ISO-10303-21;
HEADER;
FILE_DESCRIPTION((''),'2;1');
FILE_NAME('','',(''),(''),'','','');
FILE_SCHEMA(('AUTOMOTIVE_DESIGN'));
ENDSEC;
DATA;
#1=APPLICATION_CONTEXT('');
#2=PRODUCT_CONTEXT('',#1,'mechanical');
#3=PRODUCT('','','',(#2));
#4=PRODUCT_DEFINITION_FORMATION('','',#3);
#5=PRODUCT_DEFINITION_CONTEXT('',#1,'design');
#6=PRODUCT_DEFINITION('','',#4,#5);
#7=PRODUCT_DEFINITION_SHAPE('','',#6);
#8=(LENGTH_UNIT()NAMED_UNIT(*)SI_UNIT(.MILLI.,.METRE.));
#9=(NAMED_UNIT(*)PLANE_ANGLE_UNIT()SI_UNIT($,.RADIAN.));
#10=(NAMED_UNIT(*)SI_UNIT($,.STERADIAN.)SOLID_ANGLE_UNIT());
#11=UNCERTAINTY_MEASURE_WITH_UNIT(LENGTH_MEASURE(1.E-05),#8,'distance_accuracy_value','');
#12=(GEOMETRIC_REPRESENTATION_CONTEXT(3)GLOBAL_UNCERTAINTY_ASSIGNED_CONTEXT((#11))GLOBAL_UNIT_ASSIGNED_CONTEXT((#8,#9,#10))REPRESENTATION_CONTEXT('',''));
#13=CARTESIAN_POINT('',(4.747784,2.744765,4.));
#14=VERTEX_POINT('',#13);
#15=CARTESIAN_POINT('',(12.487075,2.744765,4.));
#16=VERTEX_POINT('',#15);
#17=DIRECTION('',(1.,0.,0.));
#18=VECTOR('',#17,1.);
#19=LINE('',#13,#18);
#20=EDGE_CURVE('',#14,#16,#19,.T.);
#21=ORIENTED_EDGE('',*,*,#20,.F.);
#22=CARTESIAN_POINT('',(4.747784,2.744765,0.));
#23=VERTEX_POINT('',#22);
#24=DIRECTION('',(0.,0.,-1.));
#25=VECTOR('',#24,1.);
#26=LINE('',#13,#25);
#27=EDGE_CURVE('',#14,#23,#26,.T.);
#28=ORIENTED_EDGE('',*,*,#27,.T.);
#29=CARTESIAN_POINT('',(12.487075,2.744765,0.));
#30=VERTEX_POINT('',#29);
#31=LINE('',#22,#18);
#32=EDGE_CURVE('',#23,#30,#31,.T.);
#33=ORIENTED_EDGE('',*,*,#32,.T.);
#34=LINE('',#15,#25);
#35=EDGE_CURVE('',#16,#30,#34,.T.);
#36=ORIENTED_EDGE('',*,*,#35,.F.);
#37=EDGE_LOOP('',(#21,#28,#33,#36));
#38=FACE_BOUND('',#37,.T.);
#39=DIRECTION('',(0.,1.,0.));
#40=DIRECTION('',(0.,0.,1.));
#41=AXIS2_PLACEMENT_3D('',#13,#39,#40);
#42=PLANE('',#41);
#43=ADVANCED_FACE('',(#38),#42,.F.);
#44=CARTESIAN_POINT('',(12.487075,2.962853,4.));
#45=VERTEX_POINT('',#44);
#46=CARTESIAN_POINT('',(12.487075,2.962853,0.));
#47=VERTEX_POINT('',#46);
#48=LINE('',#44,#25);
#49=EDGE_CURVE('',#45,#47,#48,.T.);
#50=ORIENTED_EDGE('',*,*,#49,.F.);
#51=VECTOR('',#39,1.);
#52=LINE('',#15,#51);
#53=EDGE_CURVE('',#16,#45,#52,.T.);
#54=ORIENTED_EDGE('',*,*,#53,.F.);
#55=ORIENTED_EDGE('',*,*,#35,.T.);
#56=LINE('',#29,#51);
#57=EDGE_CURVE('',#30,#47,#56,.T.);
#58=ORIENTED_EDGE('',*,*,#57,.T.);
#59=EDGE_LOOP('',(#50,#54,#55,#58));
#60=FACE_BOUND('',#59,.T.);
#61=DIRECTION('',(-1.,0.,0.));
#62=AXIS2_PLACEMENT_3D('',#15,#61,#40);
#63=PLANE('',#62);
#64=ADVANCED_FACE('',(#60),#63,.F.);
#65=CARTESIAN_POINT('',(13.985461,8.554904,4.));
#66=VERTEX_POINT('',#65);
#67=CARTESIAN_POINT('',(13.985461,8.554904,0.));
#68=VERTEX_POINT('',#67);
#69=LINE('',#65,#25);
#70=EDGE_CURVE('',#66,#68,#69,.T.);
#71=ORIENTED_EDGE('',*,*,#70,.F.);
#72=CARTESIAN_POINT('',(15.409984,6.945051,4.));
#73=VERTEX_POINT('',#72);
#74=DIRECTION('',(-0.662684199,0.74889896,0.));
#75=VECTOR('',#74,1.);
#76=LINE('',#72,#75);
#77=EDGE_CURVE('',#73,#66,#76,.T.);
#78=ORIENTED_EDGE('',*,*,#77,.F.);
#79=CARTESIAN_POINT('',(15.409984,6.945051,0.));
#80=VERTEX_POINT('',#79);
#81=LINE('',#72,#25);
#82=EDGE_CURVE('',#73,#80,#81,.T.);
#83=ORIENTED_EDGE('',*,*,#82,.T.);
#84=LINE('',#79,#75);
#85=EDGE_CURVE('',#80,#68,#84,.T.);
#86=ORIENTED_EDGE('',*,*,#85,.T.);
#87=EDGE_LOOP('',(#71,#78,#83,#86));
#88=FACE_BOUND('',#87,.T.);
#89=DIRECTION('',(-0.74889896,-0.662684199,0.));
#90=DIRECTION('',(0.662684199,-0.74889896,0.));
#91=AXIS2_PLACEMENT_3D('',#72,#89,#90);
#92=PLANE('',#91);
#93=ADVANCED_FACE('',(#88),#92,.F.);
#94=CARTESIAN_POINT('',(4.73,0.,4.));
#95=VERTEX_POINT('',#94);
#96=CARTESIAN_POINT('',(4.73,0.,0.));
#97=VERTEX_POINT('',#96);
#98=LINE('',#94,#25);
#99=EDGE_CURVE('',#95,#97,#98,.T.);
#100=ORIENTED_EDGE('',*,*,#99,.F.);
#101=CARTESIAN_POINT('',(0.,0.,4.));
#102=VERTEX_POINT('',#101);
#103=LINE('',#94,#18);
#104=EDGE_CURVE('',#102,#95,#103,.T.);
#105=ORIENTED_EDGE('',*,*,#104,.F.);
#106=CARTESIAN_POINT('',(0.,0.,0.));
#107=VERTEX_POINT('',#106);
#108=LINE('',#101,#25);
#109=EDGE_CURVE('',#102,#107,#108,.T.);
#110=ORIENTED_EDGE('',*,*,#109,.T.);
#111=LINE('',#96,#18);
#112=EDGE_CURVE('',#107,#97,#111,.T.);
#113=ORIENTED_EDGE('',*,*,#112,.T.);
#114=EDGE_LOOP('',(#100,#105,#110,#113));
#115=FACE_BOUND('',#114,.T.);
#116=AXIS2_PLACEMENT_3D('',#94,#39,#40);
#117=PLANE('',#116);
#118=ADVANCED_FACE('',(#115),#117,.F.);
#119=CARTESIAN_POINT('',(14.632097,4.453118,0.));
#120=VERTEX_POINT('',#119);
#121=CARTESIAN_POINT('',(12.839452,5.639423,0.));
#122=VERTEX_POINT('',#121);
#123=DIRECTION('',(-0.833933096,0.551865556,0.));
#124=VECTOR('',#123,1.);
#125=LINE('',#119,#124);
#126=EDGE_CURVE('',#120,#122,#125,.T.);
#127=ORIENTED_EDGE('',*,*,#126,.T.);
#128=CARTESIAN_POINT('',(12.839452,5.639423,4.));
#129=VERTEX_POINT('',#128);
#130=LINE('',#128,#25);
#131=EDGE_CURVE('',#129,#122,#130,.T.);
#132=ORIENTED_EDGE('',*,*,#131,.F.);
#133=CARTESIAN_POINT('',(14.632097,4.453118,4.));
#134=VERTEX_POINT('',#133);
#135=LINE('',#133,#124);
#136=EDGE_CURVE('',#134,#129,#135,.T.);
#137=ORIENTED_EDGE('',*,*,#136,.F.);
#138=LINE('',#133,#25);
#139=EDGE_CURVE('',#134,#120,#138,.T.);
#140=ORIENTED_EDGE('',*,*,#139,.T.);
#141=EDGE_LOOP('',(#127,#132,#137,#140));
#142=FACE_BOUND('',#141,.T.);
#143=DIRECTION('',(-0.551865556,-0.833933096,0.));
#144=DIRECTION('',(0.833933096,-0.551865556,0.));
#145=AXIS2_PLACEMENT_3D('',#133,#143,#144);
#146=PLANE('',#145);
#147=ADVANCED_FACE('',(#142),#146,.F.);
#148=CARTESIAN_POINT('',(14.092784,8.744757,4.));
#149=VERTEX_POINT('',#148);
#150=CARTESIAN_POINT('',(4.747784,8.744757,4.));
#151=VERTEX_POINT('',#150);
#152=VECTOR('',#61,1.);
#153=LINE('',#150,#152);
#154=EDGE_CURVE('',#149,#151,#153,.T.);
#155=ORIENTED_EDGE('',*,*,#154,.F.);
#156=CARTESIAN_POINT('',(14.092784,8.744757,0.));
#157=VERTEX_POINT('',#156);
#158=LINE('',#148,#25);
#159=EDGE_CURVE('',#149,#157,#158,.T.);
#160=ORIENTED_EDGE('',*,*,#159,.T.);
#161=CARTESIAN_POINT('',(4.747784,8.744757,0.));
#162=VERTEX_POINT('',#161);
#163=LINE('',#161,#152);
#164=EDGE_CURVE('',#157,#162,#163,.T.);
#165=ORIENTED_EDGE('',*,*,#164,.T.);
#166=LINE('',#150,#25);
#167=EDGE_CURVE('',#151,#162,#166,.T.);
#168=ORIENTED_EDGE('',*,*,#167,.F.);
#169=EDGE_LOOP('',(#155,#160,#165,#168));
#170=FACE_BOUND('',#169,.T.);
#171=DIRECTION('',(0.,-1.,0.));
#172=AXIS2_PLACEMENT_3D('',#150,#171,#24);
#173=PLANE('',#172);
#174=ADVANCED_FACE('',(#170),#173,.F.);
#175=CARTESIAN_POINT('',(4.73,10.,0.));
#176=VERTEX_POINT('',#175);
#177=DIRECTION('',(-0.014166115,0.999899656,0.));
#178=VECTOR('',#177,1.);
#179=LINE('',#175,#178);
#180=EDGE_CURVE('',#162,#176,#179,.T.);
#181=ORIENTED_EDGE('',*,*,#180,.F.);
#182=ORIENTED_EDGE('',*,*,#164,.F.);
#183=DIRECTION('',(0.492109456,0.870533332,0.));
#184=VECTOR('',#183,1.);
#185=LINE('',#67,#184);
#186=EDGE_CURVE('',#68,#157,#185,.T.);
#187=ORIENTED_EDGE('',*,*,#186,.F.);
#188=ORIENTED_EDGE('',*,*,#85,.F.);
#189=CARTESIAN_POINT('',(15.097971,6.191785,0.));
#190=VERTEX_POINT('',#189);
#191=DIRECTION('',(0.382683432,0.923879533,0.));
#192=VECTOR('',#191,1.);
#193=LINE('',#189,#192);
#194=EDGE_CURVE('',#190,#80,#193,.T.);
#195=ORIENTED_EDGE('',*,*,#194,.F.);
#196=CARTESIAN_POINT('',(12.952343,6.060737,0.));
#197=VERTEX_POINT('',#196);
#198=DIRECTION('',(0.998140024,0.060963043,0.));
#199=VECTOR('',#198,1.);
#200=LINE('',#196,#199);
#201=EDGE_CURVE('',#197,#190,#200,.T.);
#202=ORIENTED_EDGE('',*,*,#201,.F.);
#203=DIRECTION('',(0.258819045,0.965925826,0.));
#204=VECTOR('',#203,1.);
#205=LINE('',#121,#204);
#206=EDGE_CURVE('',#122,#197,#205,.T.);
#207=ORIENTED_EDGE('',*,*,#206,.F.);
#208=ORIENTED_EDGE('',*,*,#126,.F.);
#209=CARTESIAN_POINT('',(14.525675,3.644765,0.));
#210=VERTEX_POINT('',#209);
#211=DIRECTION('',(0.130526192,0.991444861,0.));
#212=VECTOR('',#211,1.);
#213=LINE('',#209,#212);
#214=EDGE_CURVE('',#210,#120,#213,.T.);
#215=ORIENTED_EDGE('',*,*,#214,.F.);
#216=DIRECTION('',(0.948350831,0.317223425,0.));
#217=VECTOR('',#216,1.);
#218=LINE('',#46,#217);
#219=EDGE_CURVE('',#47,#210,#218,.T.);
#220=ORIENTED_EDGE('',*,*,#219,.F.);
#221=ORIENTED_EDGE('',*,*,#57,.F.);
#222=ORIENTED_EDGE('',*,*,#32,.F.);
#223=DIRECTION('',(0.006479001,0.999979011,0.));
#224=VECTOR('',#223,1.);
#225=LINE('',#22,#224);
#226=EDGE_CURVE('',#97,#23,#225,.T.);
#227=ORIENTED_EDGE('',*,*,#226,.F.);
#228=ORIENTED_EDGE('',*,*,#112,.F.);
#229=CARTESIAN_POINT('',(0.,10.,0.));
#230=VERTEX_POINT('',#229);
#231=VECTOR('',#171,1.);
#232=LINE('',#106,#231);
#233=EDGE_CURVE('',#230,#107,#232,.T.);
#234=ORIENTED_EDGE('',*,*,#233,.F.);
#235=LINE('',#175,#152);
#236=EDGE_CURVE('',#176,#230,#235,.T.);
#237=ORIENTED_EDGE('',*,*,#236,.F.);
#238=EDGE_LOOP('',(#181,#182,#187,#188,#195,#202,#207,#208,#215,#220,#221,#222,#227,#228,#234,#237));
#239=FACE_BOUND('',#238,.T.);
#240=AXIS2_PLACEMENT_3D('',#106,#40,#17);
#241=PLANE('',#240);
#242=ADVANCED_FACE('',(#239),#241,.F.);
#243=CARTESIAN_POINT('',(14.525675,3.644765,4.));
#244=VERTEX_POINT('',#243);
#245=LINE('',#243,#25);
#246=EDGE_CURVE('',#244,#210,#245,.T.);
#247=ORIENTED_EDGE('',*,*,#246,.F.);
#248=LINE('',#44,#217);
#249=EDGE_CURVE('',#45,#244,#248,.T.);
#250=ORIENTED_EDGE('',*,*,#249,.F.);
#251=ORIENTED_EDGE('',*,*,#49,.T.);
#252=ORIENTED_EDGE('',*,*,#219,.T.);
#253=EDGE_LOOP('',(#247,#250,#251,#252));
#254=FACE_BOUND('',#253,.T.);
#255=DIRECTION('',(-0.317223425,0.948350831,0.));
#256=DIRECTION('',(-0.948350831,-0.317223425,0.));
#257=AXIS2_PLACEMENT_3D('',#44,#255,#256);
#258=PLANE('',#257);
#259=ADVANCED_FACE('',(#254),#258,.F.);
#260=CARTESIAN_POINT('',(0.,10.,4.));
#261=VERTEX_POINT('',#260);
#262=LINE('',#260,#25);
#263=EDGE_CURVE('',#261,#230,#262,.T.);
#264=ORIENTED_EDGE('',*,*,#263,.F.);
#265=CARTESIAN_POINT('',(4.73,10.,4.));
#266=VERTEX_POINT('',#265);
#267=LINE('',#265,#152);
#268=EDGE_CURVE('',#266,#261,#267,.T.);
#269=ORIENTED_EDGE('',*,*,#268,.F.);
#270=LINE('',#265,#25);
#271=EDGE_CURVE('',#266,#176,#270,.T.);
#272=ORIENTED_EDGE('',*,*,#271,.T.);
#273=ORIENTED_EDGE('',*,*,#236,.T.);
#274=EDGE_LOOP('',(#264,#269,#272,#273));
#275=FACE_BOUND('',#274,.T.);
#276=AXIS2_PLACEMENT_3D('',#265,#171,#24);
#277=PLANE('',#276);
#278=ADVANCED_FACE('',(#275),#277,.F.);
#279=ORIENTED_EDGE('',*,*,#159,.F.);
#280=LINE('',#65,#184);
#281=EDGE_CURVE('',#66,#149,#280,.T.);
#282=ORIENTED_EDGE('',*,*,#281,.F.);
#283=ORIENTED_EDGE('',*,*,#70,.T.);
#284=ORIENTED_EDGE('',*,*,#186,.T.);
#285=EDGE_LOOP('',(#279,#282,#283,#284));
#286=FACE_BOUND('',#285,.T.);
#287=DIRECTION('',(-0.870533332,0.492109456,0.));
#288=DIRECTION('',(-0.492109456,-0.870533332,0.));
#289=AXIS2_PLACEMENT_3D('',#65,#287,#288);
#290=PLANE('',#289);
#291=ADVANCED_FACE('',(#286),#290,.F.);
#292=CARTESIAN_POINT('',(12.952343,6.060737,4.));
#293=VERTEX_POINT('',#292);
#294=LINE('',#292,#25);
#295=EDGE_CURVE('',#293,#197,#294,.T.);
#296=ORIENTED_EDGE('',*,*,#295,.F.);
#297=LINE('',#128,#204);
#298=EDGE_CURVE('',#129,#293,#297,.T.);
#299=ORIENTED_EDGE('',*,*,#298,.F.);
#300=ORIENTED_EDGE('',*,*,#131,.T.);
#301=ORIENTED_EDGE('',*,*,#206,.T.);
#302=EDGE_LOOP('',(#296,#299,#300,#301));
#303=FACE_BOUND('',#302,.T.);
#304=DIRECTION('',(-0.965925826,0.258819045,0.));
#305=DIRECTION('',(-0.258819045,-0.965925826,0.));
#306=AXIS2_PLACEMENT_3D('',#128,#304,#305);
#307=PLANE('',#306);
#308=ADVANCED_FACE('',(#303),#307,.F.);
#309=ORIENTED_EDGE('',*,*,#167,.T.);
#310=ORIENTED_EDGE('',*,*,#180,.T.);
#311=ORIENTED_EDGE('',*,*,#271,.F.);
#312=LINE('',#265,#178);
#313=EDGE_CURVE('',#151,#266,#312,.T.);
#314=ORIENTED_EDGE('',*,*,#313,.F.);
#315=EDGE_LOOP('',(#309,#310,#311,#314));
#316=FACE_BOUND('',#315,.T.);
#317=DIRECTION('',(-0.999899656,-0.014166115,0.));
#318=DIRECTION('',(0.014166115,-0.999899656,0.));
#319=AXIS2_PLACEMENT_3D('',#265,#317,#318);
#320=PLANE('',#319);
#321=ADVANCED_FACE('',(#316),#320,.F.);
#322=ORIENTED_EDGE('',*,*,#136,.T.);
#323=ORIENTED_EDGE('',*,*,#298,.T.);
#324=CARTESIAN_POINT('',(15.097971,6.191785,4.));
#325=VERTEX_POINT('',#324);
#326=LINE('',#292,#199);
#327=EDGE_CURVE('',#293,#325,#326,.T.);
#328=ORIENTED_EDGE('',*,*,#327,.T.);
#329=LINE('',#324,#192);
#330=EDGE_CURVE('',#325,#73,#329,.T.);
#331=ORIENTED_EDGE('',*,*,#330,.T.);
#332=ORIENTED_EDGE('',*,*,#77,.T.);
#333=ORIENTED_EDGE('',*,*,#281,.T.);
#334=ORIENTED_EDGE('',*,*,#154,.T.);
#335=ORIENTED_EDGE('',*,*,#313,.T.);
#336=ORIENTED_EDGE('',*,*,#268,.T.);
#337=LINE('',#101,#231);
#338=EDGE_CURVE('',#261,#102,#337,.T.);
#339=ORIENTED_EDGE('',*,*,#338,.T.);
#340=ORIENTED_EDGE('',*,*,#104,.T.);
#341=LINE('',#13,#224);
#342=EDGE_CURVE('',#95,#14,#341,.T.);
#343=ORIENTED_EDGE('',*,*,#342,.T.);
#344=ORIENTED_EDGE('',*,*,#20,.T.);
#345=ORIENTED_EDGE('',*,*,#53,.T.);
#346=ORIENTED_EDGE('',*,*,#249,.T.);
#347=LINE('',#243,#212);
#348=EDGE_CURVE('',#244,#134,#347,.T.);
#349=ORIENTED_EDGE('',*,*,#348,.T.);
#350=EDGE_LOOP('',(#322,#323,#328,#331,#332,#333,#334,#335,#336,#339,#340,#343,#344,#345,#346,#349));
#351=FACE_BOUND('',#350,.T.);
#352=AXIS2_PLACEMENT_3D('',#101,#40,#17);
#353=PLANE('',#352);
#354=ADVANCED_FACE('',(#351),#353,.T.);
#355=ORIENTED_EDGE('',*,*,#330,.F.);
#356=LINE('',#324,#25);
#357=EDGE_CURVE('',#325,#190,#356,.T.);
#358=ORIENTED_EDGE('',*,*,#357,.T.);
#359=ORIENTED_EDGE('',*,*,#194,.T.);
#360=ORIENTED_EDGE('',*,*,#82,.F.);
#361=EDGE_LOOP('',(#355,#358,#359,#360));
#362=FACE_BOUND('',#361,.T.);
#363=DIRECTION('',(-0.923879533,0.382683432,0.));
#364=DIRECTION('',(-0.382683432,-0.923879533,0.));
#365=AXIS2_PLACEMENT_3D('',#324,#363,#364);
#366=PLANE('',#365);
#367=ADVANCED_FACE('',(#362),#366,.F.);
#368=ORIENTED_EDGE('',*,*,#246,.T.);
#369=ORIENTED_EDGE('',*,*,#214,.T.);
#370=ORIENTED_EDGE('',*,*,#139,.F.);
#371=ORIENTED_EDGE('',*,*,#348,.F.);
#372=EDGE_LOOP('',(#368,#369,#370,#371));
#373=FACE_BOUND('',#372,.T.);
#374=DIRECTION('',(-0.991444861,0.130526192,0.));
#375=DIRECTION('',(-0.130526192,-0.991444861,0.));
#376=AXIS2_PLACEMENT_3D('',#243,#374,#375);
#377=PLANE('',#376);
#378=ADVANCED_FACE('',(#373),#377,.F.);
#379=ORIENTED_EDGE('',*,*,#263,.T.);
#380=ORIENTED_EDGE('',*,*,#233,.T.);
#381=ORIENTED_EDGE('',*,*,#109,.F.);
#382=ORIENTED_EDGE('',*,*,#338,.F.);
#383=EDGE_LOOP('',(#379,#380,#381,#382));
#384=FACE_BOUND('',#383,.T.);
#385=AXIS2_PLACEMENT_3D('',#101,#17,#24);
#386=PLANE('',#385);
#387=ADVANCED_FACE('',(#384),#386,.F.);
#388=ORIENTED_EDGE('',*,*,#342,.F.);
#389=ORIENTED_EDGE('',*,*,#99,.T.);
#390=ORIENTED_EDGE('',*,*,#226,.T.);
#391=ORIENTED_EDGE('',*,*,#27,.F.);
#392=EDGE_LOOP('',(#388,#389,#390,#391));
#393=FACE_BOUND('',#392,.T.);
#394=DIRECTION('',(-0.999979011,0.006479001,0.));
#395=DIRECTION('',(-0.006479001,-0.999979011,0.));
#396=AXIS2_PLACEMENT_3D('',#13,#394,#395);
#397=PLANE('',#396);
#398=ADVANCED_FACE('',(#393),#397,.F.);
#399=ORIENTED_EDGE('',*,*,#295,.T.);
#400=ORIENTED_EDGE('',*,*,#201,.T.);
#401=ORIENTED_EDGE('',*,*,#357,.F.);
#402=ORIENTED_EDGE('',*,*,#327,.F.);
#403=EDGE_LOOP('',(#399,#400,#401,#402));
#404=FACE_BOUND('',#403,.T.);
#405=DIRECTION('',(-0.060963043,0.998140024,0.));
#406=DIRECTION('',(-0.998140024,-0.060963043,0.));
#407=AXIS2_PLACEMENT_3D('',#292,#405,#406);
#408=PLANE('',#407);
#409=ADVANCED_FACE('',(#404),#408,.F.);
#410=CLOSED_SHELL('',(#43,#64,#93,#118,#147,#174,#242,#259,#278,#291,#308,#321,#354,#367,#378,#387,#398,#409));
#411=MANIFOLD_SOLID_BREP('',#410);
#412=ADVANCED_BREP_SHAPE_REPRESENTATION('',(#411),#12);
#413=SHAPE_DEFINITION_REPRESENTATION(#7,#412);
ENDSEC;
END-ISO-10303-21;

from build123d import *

# Parameters (mm, degrees)
BOSS_EXTRUDE1_DEPTH = 4


with BuildPart() as part:
    # Sketch1 → Boss-Extrude1 (new body)
    with BuildSketch(Plane.XY):
        Polygon((4.747783705, 2.744764558), (12.487074911, 2.744764558), (12.487074911, 2.962852563), (14.525675328, 3.644764558), (14.632097115, 4.453118281), (12.839452134, 5.639423302), (12.952342793, 6.060736975), (15.097971396, 6.191784769), (15.409984287, 6.945050522), (13.985460535, 8.554903841), (14.092783705, 8.744756719), (4.747783705, 8.744756719), (4.73, 10), (0, 10), (0, 0), (4.73, 0), align=None)
    extrude(amount=BOSS_EXTRUDE1_DEPTH)


solid = part.part
